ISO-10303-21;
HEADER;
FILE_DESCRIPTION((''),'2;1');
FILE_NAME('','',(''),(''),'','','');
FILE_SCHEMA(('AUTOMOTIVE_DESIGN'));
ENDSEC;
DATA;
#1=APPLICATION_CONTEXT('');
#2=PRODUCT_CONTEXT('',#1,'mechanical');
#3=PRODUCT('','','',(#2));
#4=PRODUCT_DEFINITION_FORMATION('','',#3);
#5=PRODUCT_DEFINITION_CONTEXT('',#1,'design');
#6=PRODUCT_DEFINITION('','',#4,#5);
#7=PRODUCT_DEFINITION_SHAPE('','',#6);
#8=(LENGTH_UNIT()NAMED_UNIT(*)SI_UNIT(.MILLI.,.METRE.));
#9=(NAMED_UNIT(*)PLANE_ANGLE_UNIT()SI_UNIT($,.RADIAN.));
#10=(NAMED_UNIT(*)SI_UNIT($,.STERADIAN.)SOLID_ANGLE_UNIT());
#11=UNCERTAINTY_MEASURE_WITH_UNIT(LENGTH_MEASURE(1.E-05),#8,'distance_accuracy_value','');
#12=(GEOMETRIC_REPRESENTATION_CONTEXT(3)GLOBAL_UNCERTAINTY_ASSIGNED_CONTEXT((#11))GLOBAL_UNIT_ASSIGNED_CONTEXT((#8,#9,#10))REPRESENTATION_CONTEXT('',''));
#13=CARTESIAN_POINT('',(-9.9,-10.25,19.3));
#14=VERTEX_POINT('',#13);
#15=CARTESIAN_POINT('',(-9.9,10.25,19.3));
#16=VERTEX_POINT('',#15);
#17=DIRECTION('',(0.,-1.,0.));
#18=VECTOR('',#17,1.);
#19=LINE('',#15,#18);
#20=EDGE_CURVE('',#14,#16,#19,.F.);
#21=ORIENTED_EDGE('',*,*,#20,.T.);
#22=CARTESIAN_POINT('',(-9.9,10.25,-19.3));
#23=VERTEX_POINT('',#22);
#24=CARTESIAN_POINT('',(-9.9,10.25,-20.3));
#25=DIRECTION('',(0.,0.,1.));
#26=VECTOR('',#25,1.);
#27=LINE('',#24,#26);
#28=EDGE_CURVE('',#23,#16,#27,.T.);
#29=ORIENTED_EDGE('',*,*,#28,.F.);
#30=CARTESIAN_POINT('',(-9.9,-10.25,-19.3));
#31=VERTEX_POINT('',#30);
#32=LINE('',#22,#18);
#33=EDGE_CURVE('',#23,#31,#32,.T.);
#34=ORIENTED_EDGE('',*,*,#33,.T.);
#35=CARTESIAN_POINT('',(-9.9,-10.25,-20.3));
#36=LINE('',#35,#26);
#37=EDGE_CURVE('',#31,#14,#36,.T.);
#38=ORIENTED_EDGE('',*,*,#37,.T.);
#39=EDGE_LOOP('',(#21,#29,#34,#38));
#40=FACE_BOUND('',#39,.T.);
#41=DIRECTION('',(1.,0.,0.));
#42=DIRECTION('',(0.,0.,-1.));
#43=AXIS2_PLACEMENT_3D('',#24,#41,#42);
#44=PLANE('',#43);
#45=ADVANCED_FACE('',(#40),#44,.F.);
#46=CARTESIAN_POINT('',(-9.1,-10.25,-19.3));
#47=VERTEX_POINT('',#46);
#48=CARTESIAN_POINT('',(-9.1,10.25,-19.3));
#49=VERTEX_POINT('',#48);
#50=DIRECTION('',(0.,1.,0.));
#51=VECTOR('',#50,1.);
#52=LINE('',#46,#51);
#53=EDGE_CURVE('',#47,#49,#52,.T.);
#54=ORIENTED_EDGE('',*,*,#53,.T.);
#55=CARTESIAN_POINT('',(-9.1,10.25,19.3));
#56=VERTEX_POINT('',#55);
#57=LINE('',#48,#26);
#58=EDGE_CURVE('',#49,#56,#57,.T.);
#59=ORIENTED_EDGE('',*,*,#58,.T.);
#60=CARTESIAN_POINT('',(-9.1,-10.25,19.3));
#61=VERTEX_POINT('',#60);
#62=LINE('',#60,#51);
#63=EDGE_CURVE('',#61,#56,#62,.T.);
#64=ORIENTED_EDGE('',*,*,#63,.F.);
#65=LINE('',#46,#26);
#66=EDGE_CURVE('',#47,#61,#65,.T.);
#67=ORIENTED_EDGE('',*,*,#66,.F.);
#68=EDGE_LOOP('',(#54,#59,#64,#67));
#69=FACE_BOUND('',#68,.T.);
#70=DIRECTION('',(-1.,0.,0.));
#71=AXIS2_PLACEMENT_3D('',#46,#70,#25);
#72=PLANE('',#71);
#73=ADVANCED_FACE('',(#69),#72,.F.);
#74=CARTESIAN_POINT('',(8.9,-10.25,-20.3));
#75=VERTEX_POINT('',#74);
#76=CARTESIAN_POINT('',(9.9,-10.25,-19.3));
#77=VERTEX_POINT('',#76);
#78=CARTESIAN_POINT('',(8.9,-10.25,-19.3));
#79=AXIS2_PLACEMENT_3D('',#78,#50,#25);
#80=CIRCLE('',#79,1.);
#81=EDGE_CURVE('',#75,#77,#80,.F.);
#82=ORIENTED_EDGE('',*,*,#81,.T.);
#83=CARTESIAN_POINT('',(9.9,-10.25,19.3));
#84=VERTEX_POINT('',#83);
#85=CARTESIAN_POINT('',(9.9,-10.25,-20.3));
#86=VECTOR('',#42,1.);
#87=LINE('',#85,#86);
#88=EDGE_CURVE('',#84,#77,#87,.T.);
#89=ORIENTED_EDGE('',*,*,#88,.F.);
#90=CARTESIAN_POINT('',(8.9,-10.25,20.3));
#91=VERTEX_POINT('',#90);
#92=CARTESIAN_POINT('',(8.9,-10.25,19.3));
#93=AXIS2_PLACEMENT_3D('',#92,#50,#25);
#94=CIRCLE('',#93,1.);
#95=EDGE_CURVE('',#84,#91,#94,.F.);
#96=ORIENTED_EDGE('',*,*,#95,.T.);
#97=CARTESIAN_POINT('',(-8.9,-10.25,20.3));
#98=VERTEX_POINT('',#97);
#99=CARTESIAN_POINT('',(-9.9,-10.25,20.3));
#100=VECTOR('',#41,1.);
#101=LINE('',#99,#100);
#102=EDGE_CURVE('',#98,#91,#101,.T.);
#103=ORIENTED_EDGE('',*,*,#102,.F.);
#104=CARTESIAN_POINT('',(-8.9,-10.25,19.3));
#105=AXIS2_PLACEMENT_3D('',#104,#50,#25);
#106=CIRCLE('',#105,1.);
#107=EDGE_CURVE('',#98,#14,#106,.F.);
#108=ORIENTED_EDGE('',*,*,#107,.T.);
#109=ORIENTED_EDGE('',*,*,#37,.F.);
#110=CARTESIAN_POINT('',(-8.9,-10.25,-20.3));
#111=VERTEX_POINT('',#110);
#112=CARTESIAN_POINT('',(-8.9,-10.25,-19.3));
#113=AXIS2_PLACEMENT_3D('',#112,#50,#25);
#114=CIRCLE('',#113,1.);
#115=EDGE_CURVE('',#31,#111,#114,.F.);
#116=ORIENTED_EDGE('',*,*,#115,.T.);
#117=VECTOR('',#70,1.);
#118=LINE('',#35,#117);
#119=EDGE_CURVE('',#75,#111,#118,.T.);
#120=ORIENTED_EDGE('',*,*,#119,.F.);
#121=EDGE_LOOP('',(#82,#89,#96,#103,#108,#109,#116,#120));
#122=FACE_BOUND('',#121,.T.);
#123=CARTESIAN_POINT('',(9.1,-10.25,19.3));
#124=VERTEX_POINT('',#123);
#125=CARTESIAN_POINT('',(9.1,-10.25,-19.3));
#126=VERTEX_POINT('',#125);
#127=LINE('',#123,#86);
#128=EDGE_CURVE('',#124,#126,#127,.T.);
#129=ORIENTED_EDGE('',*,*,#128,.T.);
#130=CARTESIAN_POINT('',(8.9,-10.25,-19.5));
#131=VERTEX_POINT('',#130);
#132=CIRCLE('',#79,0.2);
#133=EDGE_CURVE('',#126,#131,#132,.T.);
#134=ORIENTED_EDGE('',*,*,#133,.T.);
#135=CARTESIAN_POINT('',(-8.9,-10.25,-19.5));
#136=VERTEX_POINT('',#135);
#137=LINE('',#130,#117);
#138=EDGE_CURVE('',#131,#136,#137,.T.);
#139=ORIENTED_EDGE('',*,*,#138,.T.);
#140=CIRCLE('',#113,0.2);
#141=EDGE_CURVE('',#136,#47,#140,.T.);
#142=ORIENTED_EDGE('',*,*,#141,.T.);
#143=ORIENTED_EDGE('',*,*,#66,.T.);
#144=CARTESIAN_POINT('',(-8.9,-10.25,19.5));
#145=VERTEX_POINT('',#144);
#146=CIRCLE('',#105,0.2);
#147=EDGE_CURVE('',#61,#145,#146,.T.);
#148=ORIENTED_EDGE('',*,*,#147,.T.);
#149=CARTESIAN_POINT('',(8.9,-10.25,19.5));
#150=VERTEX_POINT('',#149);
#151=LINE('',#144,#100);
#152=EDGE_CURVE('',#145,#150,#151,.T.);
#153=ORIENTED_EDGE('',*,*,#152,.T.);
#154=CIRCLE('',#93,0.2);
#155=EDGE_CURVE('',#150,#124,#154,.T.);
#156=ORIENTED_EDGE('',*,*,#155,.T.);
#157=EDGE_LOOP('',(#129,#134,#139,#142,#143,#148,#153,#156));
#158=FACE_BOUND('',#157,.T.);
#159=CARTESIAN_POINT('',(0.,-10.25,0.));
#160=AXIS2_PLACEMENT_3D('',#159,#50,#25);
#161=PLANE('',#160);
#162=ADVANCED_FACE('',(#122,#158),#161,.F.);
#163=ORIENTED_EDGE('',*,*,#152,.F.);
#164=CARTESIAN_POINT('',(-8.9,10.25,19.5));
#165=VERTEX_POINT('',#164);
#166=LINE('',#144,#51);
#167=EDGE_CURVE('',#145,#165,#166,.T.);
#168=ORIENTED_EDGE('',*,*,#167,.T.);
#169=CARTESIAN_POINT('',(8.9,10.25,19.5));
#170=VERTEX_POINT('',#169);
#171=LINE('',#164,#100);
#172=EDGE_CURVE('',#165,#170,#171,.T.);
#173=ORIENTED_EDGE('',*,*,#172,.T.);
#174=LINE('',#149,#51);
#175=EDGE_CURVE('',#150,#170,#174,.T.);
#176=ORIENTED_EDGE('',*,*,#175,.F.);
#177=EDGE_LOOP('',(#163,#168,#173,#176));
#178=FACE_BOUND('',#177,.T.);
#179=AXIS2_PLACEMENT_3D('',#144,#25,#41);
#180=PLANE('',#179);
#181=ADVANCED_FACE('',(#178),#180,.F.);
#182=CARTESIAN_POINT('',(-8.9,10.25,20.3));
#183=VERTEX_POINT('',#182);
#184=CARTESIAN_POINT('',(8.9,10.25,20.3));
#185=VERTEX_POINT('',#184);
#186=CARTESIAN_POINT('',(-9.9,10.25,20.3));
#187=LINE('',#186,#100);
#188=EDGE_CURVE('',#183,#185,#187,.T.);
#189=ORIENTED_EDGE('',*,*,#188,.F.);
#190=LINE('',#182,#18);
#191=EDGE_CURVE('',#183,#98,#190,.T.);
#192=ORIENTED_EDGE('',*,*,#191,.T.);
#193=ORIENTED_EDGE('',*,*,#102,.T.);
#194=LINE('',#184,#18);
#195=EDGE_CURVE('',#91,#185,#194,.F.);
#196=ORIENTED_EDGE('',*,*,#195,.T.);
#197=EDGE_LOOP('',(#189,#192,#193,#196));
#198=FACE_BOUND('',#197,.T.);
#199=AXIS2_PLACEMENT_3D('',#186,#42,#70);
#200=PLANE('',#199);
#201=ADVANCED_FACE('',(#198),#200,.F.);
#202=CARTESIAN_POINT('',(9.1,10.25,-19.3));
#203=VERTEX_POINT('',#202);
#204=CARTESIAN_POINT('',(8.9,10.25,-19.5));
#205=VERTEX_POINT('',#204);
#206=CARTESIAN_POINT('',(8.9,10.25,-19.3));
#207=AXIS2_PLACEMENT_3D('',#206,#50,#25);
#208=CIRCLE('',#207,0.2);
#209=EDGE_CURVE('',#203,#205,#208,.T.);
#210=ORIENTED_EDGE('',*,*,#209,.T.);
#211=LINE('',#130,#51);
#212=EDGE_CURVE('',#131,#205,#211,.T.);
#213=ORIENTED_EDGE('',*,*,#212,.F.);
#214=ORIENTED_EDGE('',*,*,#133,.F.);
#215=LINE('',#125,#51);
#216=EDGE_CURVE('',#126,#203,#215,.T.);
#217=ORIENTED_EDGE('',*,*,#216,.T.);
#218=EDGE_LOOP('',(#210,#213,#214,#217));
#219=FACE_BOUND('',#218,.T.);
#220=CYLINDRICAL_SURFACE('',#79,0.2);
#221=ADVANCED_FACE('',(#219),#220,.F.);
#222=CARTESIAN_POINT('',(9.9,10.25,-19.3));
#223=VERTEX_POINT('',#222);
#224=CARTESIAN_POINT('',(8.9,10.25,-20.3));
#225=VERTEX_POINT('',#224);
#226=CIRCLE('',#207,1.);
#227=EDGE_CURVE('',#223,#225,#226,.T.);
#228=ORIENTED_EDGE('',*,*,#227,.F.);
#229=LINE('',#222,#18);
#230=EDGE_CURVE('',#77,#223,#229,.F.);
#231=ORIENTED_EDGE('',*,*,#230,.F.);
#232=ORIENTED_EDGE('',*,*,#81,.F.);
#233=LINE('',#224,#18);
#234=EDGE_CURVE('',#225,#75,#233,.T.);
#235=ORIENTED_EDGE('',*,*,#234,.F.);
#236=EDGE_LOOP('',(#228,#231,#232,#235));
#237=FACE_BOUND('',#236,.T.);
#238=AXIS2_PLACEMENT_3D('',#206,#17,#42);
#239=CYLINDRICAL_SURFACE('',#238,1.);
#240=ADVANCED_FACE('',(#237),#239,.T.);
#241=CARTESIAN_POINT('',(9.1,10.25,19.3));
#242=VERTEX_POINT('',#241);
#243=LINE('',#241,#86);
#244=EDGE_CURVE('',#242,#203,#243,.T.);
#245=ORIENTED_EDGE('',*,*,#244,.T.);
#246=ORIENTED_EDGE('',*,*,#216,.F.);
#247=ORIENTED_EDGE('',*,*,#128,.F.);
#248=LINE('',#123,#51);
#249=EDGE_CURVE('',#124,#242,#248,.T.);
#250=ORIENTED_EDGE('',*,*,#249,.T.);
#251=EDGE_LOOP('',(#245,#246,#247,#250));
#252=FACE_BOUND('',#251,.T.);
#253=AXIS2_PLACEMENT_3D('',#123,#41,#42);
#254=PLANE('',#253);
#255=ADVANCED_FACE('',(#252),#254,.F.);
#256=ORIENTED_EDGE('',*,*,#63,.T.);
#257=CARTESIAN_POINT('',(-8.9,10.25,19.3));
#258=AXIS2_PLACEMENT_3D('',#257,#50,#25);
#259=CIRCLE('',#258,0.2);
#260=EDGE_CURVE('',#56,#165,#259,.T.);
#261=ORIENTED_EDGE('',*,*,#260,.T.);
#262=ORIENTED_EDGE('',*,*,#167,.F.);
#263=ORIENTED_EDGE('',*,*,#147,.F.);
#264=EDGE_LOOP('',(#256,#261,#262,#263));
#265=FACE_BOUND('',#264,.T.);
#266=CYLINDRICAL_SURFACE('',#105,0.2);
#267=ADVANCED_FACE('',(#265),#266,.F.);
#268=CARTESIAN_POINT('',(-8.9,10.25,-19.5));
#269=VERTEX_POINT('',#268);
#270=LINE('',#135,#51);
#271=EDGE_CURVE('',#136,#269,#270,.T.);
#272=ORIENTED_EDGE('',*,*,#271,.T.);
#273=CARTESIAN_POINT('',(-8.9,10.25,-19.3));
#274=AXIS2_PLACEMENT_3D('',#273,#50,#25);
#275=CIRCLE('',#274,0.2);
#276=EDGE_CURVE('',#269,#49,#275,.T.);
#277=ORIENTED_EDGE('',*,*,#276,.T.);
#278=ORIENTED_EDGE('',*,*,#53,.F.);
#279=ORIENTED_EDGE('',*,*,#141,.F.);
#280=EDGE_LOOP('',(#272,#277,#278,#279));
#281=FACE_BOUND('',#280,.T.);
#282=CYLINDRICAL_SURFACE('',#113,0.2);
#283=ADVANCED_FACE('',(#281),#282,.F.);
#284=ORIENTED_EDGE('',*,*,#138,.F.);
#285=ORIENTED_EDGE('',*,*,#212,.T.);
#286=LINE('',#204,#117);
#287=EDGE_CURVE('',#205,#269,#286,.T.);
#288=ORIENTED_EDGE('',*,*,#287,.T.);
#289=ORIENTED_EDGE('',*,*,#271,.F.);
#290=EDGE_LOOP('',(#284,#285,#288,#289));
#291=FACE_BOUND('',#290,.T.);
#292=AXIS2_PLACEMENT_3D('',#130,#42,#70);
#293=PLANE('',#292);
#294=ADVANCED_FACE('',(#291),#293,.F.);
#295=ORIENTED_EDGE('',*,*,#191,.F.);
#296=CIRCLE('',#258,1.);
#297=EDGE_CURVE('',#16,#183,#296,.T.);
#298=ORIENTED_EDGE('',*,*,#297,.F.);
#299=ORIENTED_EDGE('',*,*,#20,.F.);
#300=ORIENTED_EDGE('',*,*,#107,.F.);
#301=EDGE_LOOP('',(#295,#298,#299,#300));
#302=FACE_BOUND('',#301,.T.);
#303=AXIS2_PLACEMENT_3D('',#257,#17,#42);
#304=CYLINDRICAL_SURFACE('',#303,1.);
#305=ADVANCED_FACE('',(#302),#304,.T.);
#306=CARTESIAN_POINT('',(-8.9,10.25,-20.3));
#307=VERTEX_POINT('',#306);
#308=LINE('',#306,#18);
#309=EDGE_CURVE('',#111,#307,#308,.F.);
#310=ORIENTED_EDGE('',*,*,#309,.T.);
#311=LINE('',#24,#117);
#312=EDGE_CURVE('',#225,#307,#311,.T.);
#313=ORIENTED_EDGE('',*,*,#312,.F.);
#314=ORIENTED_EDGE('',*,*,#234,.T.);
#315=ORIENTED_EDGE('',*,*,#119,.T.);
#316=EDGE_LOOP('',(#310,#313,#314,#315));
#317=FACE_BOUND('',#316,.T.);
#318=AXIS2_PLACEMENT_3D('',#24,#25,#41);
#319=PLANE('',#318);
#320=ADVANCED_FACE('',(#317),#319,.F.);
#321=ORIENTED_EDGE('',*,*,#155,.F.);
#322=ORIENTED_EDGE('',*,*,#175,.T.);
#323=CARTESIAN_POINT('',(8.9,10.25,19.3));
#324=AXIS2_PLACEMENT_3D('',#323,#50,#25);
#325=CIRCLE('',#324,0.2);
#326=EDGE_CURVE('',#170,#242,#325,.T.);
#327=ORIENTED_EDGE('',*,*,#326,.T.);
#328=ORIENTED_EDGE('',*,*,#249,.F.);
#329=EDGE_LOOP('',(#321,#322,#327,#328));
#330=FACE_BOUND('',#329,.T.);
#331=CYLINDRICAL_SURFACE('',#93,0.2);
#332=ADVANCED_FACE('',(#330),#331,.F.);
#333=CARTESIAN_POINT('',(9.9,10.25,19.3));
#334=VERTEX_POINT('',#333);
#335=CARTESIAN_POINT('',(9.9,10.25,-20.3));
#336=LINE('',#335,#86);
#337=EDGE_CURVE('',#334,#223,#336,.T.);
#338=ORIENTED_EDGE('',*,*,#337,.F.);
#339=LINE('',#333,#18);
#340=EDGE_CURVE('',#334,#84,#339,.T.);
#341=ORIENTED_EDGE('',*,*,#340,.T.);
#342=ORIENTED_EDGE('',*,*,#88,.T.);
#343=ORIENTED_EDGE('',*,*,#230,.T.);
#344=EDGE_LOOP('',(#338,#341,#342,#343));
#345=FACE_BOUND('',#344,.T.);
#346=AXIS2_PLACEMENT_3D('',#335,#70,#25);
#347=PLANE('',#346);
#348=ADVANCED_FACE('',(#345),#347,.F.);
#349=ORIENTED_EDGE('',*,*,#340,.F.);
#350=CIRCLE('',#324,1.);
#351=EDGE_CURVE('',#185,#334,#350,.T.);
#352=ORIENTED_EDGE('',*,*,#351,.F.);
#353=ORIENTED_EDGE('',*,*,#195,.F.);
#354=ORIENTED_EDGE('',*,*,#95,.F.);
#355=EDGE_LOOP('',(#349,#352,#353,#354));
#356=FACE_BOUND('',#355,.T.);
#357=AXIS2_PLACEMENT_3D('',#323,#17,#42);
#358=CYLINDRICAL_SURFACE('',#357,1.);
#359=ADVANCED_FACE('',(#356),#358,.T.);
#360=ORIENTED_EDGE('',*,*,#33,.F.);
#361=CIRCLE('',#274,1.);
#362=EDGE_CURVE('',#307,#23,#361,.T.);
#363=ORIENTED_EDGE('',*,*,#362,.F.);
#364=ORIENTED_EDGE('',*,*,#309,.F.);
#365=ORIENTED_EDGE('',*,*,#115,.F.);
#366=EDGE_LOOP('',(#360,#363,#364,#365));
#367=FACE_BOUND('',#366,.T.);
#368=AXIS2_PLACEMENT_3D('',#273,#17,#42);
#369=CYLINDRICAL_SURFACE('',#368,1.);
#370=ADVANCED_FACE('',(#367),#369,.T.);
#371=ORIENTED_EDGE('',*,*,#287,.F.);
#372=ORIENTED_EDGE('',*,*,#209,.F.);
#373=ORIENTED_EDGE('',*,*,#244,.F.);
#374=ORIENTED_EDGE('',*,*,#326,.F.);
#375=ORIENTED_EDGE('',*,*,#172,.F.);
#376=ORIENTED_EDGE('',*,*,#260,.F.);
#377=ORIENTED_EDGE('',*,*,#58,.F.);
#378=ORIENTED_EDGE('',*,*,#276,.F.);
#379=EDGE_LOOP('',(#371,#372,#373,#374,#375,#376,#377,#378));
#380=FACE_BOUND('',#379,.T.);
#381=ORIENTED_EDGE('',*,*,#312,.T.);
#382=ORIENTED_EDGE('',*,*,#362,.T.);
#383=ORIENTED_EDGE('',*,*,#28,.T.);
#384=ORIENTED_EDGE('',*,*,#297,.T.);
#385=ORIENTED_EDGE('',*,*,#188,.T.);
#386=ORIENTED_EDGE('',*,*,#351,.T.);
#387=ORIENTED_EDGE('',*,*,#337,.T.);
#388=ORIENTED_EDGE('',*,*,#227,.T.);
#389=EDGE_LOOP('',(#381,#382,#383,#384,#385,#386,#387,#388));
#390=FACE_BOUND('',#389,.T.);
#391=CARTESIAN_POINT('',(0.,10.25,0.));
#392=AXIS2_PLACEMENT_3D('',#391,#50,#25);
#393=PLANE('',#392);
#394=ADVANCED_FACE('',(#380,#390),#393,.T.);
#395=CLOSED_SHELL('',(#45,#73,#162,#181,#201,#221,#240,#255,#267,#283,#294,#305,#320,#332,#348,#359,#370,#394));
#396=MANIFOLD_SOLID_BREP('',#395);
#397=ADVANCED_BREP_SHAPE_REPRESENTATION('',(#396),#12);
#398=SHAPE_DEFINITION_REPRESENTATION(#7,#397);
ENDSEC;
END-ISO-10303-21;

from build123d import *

# Parameters (mm, degrees)
BASES_W            = 19.8
BASES_H            = 40.6
BASE_DEPTH         = 10.25
BASE_F_R           = 1
CUT_EXTRUDE3_DEPTH = 21.5


with BuildPart() as part:
    # BaseS → BASE (new body, symmetric)
    with BuildSketch(Plane(origin=(0, 0, 0), x_dir=(1, 0, 0), z_dir=(0, 1, 0))):
        Rectangle(BASES_W, BASES_H)
    extrude(amount=BASE_DEPTH, both=True)

    # BASE F
    base_f_edges = [part.edges().sort_by_distance(p)[0] for p in [
        (9.9, 0, 20.3),
        (-9.9, 0, 20.3),
        (-9.9, 0, -20.3),
        (9.9, 0, -20.3),
    ]]
    fillet(base_f_edges, radius=BASE_F_R)

    # PocketS → Cut-Extrude3 (cut, through all)
    with BuildSketch(Plane(origin=(0, 10.25, 0), x_dir=(1, 0, 0), z_dir=(0, 1, 0))):
        with BuildLine():
            Line((8.9, 19.5), (-8.9, 19.5))
            ThreePointArc((-8.9, 19.5), (-9.041421356, 19.441421356), (-9.1, 19.3))
            Line((-9.1, 19.3), (-9.1, -19.3))
            ThreePointArc((-9.1, -19.3), (-9.041421356, -19.441421356), (-8.9, -19.5))
            Line((-8.9, -19.5), (8.9, -19.5))
            ThreePointArc((8.9, -19.5), (9.041421356, -19.441421356), (9.1, -19.3))
            Line((9.1, -19.3), (9.1, 19.3))
            ThreePointArc((9.1, 19.3), (9.041421356, 19.441421356), (8.9, 19.5))
        make_face()
    extrude(amount=-CUT_EXTRUDE3_DEPTH, mode=Mode.SUBTRACT)


solid = part.part
